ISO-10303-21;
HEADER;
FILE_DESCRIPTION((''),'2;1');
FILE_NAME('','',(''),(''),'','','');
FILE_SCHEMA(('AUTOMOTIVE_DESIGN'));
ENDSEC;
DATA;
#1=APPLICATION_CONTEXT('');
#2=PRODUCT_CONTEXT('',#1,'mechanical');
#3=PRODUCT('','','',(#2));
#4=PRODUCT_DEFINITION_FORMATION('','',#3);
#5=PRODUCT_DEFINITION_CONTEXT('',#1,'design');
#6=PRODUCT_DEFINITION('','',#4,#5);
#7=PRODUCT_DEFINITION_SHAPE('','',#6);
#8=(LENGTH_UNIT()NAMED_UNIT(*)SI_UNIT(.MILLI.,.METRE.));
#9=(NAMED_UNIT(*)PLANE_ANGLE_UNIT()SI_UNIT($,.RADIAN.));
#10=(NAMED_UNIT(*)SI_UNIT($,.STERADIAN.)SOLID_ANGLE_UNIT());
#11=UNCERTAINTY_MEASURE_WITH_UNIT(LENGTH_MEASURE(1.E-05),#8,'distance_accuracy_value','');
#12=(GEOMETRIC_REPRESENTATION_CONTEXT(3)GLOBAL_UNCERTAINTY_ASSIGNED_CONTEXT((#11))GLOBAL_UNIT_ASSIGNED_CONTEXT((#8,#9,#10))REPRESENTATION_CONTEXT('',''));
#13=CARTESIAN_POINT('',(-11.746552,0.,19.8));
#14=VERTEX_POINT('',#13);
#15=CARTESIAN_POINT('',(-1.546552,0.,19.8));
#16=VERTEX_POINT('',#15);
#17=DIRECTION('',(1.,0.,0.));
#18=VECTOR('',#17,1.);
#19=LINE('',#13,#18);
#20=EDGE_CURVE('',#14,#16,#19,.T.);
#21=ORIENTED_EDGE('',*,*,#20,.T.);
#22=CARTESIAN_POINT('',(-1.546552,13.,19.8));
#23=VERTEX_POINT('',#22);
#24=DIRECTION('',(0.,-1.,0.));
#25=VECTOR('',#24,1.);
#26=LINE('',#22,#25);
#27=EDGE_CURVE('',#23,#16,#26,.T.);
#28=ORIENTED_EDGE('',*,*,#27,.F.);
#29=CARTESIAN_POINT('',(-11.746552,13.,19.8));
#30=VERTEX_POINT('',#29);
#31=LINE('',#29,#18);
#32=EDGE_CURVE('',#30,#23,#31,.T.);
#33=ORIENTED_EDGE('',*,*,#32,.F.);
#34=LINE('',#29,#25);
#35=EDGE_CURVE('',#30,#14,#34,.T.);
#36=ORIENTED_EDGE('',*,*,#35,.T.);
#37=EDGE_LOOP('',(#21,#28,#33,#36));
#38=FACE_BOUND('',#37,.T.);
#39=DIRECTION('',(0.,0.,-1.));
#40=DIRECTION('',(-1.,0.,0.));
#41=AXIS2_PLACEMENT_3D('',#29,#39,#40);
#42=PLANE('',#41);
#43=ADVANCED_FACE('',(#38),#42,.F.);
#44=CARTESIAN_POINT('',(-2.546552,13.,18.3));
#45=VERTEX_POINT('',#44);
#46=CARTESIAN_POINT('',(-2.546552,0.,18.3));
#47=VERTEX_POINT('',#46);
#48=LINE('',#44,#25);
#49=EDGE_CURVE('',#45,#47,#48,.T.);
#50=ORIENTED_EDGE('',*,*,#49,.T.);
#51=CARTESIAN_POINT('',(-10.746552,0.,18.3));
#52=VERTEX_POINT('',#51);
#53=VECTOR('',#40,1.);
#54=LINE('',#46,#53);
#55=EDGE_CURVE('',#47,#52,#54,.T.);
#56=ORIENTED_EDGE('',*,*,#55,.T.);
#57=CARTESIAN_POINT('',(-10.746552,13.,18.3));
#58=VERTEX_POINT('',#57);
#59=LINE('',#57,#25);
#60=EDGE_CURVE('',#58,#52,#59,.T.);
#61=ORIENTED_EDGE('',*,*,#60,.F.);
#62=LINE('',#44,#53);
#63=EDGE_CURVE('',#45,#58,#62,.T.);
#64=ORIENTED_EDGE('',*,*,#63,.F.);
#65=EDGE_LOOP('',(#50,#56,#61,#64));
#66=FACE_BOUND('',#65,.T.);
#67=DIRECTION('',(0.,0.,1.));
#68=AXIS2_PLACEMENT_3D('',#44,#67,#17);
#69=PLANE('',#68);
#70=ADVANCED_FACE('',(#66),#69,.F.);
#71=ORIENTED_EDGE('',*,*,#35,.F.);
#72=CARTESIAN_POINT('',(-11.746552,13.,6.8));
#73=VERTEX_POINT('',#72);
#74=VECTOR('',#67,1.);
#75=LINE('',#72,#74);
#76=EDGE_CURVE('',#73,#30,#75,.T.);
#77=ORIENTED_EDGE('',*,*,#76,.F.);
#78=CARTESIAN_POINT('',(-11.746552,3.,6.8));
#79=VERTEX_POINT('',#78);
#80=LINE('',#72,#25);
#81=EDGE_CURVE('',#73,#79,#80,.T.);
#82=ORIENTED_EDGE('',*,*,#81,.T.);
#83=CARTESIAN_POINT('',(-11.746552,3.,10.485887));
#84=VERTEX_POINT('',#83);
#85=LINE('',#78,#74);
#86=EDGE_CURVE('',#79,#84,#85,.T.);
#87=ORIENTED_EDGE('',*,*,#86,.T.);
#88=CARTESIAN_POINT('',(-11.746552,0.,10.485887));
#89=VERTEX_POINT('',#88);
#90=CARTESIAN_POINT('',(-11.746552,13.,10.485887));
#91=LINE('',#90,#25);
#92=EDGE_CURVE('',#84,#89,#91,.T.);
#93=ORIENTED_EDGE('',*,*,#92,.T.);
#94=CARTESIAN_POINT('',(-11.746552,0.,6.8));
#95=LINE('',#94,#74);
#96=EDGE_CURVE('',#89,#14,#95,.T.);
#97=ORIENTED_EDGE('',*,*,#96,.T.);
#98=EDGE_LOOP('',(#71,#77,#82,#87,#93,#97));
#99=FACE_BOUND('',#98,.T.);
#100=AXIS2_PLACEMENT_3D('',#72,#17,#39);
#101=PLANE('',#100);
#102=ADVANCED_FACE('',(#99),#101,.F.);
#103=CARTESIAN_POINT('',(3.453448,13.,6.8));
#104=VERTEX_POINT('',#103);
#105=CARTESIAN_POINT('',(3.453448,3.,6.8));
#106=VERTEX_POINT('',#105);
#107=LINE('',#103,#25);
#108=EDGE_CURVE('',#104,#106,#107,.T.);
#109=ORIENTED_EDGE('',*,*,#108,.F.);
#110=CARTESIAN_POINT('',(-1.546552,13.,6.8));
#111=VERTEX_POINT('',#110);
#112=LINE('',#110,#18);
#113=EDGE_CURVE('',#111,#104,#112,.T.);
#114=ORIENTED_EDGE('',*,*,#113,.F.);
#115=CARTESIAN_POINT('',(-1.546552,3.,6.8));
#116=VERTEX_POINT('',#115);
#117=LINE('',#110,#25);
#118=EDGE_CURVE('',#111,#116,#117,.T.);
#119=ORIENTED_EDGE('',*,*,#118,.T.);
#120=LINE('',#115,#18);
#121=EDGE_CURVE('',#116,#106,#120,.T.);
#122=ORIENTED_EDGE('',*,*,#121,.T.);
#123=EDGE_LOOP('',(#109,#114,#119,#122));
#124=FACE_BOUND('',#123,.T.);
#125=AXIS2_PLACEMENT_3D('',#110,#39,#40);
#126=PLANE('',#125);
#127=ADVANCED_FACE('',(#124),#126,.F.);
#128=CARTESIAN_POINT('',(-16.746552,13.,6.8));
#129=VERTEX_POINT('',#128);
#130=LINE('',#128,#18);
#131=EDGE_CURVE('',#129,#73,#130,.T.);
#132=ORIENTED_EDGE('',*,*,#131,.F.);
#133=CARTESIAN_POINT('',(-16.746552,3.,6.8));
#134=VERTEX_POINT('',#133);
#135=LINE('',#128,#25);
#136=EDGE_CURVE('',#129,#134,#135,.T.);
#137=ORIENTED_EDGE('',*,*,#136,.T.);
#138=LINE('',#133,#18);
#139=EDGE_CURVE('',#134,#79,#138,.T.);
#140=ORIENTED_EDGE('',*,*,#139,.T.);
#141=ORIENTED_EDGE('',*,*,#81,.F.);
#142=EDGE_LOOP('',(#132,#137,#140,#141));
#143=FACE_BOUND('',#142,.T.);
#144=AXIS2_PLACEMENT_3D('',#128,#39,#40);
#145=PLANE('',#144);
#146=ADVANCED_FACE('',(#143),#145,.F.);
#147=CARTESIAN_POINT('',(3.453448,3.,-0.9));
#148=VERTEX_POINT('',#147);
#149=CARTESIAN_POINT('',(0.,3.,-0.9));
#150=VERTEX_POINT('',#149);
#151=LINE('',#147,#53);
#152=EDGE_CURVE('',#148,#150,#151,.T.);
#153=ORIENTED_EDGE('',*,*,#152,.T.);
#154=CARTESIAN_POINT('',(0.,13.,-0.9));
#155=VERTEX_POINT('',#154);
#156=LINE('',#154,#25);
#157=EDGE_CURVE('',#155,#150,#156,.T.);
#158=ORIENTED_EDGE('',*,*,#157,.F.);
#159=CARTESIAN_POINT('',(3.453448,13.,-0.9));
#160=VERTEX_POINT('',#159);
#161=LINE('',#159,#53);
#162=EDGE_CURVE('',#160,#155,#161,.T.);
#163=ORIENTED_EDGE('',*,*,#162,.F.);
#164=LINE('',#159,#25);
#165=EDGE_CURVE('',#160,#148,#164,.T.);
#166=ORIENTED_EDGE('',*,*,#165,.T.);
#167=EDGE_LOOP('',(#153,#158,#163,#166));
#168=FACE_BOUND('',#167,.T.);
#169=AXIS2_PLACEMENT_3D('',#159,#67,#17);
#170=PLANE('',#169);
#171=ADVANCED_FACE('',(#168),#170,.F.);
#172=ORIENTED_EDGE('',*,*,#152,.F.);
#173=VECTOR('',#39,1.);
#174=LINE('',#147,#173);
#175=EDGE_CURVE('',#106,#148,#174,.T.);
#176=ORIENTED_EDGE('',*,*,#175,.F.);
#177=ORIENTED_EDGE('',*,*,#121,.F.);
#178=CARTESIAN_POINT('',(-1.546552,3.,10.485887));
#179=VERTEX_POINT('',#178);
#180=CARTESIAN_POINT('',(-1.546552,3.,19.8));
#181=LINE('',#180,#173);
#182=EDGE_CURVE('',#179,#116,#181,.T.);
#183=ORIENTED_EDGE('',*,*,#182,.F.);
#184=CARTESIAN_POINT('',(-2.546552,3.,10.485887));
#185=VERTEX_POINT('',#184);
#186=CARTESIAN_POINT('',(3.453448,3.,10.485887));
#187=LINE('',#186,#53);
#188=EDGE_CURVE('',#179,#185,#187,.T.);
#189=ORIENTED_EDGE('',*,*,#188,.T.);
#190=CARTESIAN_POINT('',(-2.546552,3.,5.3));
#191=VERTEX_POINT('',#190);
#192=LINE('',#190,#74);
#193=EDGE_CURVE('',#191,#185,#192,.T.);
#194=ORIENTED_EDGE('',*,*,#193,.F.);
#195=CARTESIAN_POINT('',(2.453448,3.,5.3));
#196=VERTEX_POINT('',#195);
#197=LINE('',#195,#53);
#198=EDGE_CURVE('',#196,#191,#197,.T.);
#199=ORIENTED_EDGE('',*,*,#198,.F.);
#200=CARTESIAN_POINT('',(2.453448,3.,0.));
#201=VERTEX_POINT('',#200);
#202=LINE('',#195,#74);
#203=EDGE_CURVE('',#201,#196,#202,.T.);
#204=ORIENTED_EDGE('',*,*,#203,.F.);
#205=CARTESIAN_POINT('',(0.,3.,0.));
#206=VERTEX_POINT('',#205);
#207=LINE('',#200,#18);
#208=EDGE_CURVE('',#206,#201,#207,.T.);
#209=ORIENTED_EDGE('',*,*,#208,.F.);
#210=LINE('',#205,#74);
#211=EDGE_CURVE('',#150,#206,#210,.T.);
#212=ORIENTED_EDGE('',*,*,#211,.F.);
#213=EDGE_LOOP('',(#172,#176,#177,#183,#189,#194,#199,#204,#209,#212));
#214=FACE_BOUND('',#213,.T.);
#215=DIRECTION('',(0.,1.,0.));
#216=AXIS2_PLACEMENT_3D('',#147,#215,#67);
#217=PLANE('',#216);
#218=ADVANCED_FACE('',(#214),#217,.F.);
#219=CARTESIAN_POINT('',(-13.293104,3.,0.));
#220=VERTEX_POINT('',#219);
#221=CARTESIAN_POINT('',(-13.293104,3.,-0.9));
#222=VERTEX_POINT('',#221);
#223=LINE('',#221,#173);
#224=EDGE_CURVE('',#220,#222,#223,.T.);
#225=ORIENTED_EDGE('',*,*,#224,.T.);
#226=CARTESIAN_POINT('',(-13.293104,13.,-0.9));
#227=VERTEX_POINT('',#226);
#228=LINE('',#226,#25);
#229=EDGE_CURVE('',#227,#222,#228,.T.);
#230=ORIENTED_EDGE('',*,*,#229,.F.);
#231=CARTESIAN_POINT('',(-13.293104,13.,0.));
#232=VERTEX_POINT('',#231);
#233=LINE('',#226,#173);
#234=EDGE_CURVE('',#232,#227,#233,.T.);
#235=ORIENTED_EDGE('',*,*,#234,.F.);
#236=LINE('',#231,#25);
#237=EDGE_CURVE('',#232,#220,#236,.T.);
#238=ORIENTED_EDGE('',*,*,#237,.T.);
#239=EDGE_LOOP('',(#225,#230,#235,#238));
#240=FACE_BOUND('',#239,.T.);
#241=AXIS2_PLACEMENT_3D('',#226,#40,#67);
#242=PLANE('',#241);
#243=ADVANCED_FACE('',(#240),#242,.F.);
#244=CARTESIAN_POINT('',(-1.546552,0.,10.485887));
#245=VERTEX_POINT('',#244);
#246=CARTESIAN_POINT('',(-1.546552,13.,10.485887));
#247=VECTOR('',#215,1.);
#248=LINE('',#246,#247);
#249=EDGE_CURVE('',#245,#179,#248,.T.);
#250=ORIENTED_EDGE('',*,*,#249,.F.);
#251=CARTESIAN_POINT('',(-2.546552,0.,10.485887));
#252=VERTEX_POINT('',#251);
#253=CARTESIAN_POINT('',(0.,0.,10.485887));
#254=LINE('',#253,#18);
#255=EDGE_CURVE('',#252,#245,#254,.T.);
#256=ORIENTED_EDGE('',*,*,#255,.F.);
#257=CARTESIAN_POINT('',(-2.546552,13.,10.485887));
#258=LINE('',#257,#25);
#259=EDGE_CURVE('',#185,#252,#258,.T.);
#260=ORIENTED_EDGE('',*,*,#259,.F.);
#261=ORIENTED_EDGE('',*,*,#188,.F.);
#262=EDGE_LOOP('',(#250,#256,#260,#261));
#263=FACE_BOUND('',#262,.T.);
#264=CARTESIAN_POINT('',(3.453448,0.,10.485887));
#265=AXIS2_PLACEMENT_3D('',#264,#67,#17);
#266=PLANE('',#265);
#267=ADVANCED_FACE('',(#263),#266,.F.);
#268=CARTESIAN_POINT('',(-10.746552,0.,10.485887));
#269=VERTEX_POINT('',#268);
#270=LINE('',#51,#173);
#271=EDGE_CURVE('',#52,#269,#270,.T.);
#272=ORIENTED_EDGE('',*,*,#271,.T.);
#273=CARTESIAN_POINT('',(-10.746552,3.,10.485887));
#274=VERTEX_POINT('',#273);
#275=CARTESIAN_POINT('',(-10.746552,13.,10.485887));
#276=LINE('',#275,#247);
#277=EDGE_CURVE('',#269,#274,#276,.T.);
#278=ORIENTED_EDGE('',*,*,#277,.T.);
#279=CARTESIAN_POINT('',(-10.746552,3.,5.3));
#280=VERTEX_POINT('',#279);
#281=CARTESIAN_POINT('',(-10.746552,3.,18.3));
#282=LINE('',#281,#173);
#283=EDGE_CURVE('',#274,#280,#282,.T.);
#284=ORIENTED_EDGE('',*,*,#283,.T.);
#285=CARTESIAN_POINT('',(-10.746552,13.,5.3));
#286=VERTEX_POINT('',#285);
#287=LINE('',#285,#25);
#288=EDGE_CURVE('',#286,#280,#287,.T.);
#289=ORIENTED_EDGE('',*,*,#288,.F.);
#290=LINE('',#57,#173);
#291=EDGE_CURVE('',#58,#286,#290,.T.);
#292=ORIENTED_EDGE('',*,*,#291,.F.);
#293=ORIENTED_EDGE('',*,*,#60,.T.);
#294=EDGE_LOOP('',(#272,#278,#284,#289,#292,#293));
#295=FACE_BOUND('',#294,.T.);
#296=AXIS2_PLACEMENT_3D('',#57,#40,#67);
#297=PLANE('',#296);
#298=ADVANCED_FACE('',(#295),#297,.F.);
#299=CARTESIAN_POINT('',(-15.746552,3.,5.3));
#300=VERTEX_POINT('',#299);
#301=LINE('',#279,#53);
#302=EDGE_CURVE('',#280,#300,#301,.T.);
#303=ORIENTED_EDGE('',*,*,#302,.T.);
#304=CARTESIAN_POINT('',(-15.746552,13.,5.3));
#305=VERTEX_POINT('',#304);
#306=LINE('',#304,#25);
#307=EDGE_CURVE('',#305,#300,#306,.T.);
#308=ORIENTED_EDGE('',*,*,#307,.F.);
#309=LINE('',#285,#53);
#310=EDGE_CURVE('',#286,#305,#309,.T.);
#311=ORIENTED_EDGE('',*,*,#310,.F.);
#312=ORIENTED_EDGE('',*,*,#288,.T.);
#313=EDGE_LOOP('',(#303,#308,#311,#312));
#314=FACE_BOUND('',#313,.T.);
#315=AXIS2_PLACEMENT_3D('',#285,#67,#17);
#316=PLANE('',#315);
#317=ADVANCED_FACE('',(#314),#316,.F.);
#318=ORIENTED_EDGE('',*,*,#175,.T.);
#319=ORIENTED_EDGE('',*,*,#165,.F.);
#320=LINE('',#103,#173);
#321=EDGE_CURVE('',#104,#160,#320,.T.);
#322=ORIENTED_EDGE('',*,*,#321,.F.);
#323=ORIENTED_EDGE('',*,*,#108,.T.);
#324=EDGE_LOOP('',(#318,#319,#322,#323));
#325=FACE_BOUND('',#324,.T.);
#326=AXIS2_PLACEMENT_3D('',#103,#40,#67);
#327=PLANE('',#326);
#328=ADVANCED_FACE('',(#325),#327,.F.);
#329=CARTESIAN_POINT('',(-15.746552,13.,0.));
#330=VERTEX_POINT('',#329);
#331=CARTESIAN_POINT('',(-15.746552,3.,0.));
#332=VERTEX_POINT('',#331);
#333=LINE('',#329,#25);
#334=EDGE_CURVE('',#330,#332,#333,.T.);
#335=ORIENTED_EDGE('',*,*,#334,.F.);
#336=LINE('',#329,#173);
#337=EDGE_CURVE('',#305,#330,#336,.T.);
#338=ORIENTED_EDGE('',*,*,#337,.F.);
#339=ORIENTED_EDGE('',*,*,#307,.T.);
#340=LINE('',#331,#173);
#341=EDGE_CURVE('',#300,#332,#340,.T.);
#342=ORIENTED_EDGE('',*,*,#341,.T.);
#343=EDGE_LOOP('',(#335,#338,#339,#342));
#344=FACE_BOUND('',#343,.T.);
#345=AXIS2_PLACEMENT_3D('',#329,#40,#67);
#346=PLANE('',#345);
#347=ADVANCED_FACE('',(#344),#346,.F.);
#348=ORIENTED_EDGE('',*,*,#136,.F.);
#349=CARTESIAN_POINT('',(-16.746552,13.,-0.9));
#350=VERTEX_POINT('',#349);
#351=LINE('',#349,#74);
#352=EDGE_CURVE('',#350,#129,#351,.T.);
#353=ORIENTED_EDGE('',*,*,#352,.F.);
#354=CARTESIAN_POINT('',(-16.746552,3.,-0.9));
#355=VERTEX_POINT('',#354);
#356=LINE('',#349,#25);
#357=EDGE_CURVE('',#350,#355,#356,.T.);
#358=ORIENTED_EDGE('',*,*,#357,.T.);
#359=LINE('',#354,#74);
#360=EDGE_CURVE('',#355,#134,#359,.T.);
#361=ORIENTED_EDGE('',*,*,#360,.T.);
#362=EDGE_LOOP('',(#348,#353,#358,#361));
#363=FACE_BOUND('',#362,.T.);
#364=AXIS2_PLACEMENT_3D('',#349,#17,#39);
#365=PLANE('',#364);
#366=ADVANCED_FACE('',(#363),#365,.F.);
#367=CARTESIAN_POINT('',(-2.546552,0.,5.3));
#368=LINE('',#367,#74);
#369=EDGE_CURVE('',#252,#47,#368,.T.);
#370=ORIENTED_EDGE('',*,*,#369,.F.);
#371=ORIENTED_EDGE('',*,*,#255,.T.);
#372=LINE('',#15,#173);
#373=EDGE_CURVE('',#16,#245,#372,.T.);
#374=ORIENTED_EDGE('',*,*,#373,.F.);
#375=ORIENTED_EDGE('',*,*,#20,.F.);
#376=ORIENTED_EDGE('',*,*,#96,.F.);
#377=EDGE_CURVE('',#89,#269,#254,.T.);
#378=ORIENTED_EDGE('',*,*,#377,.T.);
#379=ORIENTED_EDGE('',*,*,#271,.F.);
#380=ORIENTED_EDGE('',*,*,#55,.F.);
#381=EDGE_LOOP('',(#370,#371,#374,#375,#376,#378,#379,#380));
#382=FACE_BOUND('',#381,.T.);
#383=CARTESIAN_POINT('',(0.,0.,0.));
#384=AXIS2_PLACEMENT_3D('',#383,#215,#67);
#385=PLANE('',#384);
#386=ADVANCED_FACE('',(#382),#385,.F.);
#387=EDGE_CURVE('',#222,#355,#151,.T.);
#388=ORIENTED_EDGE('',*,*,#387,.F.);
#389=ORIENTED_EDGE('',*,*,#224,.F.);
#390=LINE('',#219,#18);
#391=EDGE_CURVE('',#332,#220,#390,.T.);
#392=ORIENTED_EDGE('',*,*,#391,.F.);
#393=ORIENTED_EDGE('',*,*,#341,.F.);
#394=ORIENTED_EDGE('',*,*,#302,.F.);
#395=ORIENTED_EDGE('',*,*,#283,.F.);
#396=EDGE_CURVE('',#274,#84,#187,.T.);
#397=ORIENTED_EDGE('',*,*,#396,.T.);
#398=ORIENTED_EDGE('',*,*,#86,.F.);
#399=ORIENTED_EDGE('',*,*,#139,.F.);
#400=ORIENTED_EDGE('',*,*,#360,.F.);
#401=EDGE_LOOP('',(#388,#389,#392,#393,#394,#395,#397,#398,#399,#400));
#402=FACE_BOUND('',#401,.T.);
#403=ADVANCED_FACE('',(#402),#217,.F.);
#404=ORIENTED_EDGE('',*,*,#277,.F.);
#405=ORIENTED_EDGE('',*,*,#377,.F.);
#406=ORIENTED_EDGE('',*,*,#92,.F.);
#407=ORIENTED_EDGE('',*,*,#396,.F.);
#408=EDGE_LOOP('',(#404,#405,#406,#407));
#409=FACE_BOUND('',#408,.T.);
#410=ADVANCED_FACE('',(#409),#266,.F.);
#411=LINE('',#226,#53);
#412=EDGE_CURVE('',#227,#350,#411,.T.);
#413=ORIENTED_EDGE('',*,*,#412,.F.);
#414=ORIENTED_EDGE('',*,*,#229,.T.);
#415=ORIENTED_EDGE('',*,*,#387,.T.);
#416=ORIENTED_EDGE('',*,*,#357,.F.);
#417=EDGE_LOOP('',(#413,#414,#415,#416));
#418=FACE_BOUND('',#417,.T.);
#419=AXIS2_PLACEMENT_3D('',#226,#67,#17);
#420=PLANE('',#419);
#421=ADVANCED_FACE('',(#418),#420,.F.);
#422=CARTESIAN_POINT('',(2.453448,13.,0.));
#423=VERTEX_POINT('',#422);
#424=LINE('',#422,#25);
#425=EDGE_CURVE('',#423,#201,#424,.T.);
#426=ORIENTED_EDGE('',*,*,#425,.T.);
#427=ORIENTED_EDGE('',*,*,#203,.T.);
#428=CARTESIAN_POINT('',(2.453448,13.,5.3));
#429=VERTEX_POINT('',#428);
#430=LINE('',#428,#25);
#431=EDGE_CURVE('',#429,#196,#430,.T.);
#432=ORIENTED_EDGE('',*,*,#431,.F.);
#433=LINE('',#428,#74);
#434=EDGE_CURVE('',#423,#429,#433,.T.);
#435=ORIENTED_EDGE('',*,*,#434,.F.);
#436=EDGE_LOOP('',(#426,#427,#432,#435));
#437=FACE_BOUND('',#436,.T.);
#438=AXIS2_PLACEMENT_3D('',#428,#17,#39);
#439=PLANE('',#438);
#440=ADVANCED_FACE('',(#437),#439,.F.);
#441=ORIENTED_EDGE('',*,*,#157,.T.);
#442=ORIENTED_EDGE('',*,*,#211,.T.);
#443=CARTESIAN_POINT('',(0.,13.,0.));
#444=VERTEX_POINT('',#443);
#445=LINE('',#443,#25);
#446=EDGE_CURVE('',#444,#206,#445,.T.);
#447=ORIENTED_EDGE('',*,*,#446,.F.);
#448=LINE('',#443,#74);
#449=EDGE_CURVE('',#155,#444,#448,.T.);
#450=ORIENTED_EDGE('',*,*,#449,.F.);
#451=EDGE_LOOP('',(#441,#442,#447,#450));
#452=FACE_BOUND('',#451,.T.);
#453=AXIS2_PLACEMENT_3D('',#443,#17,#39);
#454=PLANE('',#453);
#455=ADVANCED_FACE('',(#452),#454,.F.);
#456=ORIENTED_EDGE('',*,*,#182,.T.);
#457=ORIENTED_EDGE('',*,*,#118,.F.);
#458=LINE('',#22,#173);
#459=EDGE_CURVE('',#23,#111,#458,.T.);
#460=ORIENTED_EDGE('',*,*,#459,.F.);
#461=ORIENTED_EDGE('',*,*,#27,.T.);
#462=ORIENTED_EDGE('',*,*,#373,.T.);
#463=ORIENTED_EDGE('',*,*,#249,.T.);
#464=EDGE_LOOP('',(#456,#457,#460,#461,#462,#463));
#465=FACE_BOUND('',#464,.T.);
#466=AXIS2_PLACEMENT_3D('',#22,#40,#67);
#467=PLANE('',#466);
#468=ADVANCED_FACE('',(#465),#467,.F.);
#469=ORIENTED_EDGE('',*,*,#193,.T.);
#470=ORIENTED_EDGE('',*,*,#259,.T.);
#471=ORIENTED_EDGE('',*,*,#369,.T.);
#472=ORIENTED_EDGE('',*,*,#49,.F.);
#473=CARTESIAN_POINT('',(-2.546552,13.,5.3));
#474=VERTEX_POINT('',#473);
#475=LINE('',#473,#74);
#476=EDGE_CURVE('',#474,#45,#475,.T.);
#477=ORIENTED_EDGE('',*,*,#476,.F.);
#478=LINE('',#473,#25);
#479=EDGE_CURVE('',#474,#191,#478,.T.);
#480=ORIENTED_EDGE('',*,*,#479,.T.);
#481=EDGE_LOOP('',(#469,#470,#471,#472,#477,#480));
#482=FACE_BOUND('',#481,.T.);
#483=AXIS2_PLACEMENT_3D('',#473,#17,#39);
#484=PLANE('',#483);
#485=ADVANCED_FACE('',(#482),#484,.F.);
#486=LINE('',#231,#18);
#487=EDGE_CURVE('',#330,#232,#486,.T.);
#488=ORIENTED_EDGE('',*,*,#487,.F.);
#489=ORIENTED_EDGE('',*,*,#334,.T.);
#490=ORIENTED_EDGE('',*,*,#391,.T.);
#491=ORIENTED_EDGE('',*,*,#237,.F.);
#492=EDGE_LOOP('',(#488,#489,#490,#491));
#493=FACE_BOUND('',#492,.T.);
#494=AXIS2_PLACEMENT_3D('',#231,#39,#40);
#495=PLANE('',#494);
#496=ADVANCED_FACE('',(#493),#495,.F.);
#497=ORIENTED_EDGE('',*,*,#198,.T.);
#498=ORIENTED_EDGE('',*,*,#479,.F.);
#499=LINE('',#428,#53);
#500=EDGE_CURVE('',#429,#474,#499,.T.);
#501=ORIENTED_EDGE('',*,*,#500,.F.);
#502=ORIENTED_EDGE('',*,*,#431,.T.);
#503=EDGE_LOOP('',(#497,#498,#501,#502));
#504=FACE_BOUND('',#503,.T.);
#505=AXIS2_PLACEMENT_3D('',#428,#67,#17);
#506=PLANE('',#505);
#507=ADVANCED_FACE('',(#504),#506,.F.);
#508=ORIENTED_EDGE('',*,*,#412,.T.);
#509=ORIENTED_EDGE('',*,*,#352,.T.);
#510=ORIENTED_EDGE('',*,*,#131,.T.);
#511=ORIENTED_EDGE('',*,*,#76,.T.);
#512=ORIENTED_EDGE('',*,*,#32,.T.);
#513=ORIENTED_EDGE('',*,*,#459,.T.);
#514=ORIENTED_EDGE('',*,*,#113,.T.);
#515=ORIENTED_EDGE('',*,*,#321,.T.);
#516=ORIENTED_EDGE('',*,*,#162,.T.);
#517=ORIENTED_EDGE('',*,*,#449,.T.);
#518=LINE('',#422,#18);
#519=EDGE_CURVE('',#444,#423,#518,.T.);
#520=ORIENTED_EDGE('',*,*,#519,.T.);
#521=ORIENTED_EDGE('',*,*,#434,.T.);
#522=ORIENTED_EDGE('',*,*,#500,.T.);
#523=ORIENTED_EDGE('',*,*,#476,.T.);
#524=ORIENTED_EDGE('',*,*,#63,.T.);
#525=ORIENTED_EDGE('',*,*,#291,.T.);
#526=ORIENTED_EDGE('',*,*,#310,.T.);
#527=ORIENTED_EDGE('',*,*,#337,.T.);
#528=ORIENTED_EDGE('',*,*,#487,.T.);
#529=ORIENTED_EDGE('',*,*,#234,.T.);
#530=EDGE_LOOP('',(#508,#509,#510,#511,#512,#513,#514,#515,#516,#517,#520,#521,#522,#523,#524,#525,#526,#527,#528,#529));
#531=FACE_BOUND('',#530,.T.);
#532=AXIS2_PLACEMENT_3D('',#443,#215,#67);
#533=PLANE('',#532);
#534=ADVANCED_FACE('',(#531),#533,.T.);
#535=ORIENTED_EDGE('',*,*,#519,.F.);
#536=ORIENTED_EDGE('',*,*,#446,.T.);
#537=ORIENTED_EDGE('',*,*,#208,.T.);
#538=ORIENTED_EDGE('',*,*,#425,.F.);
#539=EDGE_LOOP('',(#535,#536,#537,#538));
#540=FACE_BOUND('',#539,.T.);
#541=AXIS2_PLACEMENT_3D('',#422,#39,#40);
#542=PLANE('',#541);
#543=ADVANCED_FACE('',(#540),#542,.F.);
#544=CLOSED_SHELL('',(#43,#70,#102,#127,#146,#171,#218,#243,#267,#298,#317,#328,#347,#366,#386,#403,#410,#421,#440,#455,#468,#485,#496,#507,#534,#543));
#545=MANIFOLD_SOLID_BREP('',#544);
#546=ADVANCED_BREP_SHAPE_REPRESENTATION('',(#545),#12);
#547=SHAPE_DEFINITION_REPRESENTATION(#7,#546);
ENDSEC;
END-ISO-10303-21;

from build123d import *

# Parameters (mm, degrees)
BOSS_EXTRUDE1_DEPTH     = 13
CUT_EXTRUDE1_DEPTH      = 32.130049791
CUT_EXTRUDE1_DEPTH_BACK = 32.130049791
SKETCH2_W               = 11.385886766
SKETCH2_H               = 3


with BuildPart() as part:
    # Sketch1 → Boss-Extrude1 (new body)
    with BuildSketch(Plane(origin=(0, 0, 0), x_dir=(1, 0, 0), z_dir=(0, 1, 0))):
        Polygon((2.453447834, -5.3), (-2.546552166, -5.3), (-2.546552166, -18.3), (-10.746552166, -18.3), (-10.746552166, -5.3), (-15.746552166, -5.3), (-15.746552166, 0), (-13.293104332, 0), (-13.293104332, 0.9), (-16.746552166, 0.9), (-16.746552166, -6.8), (-11.746552166, -6.8), (-11.746552166, -19.8), (-1.546552166, -19.8), (-1.546552166, -6.8), (3.453447834, -6.8), (3.453447834, 0.9), (0, 0.9), (0, 0), (2.453447834, 0), align=None)
    extrude(amount=BOSS_EXTRUDE1_DEPTH)

    # Sketch2 → Cut-Extrude1 (cut, two sides: drawn at the far end of the back side and taken through both)
    with BuildSketch(Plane.ZY.offset(16.746552166).offset(-CUT_EXTRUDE1_DEPTH_BACK)):
        with Locations((4.792943383, 1.5)):
            Rectangle(SKETCH2_W, SKETCH2_H)
    extrude(amount=CUT_EXTRUDE1_DEPTH + CUT_EXTRUDE1_DEPTH_BACK, mode=Mode.SUBTRACT)


solid = part.part
